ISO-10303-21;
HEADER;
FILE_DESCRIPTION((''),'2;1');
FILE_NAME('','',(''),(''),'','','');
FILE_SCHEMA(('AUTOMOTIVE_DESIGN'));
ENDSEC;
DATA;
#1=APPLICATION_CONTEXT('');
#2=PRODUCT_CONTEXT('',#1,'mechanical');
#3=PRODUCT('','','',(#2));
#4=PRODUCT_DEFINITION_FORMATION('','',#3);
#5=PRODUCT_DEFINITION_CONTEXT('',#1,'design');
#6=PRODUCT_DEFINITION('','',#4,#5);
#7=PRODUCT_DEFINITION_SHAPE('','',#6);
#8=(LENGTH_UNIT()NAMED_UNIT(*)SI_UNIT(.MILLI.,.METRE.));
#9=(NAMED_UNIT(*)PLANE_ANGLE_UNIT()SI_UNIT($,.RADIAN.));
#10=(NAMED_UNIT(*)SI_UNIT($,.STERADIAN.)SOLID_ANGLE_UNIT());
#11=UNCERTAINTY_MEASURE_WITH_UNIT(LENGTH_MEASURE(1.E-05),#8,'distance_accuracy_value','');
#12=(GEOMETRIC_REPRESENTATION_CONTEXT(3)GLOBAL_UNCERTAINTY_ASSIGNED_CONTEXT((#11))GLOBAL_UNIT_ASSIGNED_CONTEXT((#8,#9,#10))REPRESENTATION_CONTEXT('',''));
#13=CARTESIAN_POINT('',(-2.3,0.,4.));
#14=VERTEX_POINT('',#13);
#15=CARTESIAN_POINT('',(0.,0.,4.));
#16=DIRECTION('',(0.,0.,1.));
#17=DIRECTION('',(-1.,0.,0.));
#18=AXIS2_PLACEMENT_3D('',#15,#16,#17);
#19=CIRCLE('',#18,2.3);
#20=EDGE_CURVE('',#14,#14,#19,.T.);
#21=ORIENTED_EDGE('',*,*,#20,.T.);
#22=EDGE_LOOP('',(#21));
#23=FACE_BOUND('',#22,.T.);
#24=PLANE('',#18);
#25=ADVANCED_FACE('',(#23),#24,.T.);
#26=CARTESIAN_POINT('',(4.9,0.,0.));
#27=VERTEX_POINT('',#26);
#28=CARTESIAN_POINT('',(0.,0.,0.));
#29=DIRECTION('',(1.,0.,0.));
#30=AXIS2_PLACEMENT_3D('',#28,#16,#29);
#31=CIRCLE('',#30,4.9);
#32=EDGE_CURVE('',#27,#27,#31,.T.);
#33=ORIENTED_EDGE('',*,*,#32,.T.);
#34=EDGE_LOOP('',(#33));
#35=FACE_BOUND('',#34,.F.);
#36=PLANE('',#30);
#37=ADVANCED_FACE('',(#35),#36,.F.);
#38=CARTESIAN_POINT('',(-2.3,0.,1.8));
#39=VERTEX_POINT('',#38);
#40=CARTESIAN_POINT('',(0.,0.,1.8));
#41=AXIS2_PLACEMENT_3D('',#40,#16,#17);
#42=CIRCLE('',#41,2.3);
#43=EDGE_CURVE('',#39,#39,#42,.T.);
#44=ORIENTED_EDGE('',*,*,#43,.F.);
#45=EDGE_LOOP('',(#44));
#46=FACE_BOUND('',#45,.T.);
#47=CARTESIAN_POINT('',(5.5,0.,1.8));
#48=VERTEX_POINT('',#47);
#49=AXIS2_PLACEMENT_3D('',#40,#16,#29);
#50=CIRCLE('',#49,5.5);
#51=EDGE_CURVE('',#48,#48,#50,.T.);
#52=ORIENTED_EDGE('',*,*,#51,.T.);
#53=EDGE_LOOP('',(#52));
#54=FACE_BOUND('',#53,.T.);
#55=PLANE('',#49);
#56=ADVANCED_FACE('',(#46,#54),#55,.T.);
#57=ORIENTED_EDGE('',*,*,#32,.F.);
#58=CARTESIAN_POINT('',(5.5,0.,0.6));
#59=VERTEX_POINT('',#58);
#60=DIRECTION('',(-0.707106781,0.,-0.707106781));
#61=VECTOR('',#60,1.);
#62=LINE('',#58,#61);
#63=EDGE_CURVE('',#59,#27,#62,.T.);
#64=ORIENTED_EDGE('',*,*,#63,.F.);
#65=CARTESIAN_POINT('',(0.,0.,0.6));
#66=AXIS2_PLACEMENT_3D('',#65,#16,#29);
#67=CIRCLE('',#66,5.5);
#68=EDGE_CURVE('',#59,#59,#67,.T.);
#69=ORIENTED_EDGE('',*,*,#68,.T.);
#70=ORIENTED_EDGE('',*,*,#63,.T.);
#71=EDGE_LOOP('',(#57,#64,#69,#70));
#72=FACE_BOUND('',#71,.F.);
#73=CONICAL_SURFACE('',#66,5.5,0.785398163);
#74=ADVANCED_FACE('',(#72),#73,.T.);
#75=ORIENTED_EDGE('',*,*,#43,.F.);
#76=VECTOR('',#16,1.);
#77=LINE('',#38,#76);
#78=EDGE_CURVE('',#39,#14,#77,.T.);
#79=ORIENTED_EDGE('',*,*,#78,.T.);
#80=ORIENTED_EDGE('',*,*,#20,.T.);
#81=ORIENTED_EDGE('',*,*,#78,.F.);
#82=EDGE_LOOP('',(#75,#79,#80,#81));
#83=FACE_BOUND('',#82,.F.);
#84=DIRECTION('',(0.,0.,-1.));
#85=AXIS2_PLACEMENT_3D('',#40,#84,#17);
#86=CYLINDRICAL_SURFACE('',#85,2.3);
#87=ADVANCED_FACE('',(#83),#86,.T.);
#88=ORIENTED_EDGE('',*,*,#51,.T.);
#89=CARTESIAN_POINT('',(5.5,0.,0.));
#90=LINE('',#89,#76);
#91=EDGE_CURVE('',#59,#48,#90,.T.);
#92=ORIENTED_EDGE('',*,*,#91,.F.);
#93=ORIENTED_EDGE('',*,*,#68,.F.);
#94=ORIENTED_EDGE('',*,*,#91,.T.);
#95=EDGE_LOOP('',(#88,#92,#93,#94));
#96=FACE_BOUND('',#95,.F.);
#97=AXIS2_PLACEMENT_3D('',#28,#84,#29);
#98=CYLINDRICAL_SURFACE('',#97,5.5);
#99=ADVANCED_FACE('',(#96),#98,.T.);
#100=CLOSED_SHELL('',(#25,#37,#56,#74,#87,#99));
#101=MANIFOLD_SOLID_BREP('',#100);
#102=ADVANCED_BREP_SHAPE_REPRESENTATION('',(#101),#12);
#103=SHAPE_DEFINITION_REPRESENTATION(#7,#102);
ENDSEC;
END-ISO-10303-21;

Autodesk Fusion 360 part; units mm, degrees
sketch "Sketch1" plane through (0, 0, 0) normal (0, 0, 1) x (1, 0, 0)
  circle A0 centre (0, 0) radius 5.5
  dimension "d3" = 11
extrude "Extrude1" add sketch "Sketch1" along normal blind 1.8
sketch "Sketch2" plane through (0, 0, 1.8) normal (0, 0, 1) x (-1, 0, 0)
  circle A0 centre (0, 0) radius 5.5
  circle A1 centre (0, 0) radius 2.3
  dimension "d6" = 4.6
extrude "Extrude2" add sketch "Sketch2" along normal blind 2.2 contours A1
chamfer "Chamfer1" distance 0.6 angle 45 1 edges at (-5.1278, -1.9889, 0)
